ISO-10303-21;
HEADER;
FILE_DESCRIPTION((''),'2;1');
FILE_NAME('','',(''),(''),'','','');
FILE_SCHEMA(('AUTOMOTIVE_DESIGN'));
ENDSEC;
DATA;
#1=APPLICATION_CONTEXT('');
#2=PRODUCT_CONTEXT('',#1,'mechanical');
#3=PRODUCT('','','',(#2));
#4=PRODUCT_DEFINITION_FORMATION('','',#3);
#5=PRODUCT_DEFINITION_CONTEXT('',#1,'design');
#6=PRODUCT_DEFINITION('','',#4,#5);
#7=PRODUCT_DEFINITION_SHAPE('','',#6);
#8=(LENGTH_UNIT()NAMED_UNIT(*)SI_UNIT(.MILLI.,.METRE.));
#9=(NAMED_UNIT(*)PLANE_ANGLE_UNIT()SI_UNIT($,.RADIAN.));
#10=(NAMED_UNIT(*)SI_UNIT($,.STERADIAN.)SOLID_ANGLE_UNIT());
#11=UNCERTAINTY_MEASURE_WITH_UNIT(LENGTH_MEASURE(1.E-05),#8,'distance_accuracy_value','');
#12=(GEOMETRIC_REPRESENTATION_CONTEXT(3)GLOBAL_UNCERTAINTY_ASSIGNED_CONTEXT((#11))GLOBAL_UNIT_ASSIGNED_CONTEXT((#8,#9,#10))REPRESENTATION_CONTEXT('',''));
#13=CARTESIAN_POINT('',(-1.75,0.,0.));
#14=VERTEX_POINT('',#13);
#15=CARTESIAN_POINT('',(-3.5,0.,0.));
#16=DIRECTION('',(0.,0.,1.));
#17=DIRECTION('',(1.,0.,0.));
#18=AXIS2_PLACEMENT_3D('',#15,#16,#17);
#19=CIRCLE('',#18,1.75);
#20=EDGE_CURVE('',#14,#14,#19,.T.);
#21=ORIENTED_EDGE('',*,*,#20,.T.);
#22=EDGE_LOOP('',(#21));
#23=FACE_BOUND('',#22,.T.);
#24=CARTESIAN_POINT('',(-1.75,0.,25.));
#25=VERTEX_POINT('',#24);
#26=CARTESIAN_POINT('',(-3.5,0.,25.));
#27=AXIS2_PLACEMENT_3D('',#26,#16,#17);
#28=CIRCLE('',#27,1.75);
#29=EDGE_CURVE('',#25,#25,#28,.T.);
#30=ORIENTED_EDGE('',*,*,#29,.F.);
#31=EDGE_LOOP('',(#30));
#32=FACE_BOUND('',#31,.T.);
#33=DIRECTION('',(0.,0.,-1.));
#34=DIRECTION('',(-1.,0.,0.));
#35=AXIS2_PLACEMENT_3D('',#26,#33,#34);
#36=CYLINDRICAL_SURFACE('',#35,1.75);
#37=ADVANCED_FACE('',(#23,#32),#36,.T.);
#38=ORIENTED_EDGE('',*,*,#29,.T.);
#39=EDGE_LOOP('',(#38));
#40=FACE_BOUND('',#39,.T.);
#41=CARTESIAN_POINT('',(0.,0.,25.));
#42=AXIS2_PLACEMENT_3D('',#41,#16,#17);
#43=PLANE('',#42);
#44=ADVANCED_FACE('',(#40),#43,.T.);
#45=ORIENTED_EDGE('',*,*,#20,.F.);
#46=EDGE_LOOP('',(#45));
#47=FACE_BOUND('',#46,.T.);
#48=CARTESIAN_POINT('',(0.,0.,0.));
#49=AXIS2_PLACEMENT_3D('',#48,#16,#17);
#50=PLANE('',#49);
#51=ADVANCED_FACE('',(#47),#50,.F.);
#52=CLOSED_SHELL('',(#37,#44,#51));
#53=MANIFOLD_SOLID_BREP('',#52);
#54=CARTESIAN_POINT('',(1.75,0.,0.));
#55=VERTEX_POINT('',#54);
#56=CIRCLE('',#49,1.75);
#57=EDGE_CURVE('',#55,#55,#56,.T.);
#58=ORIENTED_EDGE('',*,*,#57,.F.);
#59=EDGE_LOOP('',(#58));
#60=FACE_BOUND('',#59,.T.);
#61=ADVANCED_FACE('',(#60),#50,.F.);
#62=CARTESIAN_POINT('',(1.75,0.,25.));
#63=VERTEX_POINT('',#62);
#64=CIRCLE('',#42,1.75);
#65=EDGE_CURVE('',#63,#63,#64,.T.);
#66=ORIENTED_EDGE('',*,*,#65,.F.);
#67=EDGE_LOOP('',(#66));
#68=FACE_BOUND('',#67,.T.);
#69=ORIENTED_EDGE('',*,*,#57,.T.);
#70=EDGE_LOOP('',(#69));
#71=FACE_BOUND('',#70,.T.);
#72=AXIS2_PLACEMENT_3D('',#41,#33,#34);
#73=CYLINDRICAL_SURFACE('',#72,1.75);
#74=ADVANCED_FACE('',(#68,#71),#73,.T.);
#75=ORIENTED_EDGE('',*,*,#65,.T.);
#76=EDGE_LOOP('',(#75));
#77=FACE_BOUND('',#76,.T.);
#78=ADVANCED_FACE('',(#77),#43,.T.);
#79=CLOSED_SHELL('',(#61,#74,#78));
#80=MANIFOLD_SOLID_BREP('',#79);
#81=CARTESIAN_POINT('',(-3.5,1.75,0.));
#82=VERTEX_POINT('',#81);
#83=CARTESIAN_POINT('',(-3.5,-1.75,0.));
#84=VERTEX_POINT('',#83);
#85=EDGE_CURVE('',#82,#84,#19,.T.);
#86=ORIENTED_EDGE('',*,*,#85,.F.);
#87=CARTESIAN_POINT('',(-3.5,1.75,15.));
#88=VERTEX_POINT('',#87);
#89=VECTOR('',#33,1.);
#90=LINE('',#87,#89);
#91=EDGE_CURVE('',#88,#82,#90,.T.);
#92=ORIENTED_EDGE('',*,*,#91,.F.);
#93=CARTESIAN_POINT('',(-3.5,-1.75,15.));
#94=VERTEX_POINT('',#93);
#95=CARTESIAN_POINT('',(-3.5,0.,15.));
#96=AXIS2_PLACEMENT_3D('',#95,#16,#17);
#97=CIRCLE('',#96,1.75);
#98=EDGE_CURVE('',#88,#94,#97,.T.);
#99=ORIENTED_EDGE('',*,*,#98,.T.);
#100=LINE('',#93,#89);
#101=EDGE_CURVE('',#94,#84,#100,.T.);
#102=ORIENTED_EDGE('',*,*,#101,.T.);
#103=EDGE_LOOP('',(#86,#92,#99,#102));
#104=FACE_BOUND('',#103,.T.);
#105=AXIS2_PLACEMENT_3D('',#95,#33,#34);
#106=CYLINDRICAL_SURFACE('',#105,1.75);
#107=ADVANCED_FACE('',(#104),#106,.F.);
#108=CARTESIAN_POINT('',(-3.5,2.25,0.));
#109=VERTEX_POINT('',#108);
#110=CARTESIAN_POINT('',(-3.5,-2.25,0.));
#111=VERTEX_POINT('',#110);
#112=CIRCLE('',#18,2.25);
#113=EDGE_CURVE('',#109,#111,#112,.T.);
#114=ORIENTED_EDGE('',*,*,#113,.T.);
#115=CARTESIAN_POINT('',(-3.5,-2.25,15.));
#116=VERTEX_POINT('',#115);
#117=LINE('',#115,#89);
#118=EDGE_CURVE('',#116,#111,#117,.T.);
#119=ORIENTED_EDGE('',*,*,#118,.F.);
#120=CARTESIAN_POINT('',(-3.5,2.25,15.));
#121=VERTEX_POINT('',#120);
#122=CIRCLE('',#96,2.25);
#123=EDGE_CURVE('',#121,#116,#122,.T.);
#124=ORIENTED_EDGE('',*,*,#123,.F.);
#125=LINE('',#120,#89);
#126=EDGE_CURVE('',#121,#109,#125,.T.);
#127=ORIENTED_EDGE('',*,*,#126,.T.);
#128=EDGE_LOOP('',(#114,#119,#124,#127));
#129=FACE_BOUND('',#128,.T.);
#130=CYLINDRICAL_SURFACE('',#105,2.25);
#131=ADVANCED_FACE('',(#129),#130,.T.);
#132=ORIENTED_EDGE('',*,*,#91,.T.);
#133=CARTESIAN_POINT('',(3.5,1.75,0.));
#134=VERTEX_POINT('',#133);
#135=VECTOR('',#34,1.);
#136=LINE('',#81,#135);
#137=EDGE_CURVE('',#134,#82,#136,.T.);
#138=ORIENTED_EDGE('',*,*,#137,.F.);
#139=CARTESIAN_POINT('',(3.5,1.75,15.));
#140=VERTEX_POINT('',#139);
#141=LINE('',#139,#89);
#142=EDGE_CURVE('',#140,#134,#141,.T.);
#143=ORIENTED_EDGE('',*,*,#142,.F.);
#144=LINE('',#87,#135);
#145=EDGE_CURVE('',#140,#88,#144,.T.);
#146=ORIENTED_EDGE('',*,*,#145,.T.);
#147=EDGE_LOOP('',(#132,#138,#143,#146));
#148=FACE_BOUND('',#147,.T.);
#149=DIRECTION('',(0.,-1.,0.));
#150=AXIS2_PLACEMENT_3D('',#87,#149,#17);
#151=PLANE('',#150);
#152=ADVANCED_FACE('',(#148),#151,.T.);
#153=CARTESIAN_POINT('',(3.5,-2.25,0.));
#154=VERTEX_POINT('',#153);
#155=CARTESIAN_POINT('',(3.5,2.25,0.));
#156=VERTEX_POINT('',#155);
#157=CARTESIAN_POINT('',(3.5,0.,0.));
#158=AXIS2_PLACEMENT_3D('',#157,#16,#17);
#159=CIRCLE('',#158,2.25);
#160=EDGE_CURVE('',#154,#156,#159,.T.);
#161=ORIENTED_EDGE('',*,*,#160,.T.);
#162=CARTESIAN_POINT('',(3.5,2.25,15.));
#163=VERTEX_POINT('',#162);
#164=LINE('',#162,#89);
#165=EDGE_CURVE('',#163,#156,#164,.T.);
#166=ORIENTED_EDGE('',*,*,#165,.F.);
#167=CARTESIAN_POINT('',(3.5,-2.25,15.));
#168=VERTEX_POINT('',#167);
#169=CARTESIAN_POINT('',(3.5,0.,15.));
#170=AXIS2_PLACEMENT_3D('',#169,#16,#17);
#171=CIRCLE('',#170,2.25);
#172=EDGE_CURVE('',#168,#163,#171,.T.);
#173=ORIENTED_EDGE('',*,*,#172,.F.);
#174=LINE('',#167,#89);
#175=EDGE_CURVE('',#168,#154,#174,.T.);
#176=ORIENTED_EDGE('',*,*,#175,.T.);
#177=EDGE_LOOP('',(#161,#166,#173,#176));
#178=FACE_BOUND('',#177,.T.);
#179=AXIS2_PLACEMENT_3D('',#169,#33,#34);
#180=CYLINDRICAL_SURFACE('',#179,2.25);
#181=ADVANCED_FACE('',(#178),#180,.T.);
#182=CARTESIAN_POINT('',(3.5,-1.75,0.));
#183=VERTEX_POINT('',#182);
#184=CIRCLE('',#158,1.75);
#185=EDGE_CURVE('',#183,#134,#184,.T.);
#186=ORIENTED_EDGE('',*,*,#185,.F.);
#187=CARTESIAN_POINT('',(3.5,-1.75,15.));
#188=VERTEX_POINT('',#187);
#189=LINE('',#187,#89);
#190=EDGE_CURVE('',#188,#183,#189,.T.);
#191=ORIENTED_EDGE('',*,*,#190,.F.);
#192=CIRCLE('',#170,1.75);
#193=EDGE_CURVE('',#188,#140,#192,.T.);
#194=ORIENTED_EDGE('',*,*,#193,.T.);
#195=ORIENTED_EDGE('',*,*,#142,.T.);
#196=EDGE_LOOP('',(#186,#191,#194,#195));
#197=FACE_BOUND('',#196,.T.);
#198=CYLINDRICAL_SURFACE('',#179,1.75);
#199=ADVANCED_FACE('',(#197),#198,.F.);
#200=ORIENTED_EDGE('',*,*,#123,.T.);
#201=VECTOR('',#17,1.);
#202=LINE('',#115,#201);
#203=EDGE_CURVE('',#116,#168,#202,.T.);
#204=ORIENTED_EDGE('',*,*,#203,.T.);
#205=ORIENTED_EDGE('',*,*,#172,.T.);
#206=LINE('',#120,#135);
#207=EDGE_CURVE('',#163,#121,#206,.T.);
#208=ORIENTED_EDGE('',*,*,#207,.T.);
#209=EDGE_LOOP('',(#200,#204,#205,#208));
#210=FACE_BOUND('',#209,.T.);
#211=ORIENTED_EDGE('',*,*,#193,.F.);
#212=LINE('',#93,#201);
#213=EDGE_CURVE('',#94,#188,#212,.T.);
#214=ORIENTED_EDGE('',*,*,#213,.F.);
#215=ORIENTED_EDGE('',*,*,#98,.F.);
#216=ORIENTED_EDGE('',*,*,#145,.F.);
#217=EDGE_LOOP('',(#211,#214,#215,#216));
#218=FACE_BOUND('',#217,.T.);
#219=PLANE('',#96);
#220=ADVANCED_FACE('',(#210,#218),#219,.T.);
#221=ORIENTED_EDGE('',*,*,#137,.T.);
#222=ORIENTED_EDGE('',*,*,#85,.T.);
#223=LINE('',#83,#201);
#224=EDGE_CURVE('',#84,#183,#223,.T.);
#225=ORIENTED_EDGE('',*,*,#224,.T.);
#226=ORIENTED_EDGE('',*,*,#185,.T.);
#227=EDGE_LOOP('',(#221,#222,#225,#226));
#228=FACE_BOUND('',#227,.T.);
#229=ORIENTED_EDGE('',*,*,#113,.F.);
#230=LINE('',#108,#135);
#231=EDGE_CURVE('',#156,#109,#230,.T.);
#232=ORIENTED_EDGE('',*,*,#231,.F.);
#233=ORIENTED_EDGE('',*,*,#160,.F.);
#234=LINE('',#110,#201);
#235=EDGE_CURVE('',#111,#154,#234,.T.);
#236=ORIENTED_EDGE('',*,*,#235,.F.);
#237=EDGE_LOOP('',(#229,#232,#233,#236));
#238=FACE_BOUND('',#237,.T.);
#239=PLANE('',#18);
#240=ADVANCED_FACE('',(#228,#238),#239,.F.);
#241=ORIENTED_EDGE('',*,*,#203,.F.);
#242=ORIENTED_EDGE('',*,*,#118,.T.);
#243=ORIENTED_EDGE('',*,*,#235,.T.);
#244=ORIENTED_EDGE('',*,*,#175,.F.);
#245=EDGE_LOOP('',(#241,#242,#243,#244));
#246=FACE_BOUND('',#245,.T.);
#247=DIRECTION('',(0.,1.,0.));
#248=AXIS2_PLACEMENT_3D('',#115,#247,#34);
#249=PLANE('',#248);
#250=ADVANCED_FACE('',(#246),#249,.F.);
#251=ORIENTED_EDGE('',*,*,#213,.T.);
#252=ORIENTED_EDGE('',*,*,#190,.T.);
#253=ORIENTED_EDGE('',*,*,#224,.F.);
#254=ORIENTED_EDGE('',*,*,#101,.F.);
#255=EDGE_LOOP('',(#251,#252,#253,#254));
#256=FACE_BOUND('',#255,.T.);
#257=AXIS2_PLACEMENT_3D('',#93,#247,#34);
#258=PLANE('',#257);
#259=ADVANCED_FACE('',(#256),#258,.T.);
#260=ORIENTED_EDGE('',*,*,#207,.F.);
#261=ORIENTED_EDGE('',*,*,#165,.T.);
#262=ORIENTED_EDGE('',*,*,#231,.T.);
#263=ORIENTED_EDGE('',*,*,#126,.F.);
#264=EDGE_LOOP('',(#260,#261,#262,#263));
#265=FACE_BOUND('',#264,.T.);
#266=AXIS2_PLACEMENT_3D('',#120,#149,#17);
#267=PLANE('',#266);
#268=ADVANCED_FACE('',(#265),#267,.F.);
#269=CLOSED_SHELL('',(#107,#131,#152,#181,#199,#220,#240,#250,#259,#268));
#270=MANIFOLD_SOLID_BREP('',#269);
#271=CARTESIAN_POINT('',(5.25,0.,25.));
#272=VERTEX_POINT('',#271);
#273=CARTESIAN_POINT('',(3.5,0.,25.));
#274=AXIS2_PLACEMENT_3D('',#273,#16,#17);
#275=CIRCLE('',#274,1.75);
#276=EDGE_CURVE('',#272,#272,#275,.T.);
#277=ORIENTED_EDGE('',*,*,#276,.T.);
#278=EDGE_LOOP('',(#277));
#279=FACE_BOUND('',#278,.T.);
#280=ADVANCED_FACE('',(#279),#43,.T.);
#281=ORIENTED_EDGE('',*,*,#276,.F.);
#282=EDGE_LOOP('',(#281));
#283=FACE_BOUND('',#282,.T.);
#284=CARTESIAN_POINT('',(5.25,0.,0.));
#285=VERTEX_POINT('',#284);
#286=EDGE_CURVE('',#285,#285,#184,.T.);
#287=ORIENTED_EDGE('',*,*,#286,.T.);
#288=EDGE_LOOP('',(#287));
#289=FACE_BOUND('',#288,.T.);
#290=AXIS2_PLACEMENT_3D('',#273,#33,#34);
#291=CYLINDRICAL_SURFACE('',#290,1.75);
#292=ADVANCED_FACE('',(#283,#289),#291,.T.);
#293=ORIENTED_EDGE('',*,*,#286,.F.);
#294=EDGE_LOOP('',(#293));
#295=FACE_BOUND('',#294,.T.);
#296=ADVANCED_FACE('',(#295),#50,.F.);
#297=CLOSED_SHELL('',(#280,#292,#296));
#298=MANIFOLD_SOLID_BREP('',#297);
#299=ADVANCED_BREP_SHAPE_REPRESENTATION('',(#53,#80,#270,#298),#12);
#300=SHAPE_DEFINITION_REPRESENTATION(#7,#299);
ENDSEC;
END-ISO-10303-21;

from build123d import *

# Parameters (mm, degrees)
SKETCH2_R             = 1.75
BOSS_EXTRUDE1_DEPTH   = 25
BOSS_EXTRUDE1_2_DEPTH = 25
BOSS_EXTRUDE1_3_DEPTH = 25
EXTRUDE_THIN1_DEPTH   = 15


with BuildPart() as part:
    # Sketch2 → Boss-Extrude1 (new body)
    with BuildSketch(Plane.XY):
        with Locations((3.5, 0)):
            Circle(SKETCH2_R)
    extrude(amount=BOSS_EXTRUDE1_DEPTH)


with BuildPart() as body_2:
    # Sketch2 → Boss-Extrude1 2 (new body)
    with BuildSketch(Plane.XY):
        Circle(SKETCH2_R)
    extrude(amount=BOSS_EXTRUDE1_2_DEPTH)


with BuildPart() as body_3:
    # Sketch2 → Boss-Extrude1 3 (new body)
    with BuildSketch(Plane.XY):
        with Locations((-3.5, 0)):
            Circle(SKETCH2_R)
    extrude(amount=BOSS_EXTRUDE1_3_DEPTH)


with BuildPart() as body_4:
    # Sketch3 → Extrude-Thin1 (new body)
    with BuildSketch(Plane.XY):
        with BuildLine():
            Line((3.5, -2.25), (-3.5, -2.25))
            ThreePointArc((-3.5, -2.25), (-5.75, 0), (-3.5, 2.25))
            Line((-3.5, 2.25), (3.5, 2.25))
            ThreePointArc((3.5, 2.25), (5.75, 0), (3.5, -2.25))
        make_face()
        with BuildLine():
            Line((3.5, -1.75), (-3.5, -1.75))
            ThreePointArc((-3.5, -1.75), (-5.25, 0), (-3.5, 1.75))
            Line((-3.5, 1.75), (3.5, 1.75))
            ThreePointArc((3.5, 1.75), (5.25, 0), (3.5, -1.75))
        make_face(mode=Mode.SUBTRACT)
    extrude(amount=EXTRUDE_THIN1_DEPTH)


solid = Compound([part.part, body_2.part, body_3.part, body_4.part])
